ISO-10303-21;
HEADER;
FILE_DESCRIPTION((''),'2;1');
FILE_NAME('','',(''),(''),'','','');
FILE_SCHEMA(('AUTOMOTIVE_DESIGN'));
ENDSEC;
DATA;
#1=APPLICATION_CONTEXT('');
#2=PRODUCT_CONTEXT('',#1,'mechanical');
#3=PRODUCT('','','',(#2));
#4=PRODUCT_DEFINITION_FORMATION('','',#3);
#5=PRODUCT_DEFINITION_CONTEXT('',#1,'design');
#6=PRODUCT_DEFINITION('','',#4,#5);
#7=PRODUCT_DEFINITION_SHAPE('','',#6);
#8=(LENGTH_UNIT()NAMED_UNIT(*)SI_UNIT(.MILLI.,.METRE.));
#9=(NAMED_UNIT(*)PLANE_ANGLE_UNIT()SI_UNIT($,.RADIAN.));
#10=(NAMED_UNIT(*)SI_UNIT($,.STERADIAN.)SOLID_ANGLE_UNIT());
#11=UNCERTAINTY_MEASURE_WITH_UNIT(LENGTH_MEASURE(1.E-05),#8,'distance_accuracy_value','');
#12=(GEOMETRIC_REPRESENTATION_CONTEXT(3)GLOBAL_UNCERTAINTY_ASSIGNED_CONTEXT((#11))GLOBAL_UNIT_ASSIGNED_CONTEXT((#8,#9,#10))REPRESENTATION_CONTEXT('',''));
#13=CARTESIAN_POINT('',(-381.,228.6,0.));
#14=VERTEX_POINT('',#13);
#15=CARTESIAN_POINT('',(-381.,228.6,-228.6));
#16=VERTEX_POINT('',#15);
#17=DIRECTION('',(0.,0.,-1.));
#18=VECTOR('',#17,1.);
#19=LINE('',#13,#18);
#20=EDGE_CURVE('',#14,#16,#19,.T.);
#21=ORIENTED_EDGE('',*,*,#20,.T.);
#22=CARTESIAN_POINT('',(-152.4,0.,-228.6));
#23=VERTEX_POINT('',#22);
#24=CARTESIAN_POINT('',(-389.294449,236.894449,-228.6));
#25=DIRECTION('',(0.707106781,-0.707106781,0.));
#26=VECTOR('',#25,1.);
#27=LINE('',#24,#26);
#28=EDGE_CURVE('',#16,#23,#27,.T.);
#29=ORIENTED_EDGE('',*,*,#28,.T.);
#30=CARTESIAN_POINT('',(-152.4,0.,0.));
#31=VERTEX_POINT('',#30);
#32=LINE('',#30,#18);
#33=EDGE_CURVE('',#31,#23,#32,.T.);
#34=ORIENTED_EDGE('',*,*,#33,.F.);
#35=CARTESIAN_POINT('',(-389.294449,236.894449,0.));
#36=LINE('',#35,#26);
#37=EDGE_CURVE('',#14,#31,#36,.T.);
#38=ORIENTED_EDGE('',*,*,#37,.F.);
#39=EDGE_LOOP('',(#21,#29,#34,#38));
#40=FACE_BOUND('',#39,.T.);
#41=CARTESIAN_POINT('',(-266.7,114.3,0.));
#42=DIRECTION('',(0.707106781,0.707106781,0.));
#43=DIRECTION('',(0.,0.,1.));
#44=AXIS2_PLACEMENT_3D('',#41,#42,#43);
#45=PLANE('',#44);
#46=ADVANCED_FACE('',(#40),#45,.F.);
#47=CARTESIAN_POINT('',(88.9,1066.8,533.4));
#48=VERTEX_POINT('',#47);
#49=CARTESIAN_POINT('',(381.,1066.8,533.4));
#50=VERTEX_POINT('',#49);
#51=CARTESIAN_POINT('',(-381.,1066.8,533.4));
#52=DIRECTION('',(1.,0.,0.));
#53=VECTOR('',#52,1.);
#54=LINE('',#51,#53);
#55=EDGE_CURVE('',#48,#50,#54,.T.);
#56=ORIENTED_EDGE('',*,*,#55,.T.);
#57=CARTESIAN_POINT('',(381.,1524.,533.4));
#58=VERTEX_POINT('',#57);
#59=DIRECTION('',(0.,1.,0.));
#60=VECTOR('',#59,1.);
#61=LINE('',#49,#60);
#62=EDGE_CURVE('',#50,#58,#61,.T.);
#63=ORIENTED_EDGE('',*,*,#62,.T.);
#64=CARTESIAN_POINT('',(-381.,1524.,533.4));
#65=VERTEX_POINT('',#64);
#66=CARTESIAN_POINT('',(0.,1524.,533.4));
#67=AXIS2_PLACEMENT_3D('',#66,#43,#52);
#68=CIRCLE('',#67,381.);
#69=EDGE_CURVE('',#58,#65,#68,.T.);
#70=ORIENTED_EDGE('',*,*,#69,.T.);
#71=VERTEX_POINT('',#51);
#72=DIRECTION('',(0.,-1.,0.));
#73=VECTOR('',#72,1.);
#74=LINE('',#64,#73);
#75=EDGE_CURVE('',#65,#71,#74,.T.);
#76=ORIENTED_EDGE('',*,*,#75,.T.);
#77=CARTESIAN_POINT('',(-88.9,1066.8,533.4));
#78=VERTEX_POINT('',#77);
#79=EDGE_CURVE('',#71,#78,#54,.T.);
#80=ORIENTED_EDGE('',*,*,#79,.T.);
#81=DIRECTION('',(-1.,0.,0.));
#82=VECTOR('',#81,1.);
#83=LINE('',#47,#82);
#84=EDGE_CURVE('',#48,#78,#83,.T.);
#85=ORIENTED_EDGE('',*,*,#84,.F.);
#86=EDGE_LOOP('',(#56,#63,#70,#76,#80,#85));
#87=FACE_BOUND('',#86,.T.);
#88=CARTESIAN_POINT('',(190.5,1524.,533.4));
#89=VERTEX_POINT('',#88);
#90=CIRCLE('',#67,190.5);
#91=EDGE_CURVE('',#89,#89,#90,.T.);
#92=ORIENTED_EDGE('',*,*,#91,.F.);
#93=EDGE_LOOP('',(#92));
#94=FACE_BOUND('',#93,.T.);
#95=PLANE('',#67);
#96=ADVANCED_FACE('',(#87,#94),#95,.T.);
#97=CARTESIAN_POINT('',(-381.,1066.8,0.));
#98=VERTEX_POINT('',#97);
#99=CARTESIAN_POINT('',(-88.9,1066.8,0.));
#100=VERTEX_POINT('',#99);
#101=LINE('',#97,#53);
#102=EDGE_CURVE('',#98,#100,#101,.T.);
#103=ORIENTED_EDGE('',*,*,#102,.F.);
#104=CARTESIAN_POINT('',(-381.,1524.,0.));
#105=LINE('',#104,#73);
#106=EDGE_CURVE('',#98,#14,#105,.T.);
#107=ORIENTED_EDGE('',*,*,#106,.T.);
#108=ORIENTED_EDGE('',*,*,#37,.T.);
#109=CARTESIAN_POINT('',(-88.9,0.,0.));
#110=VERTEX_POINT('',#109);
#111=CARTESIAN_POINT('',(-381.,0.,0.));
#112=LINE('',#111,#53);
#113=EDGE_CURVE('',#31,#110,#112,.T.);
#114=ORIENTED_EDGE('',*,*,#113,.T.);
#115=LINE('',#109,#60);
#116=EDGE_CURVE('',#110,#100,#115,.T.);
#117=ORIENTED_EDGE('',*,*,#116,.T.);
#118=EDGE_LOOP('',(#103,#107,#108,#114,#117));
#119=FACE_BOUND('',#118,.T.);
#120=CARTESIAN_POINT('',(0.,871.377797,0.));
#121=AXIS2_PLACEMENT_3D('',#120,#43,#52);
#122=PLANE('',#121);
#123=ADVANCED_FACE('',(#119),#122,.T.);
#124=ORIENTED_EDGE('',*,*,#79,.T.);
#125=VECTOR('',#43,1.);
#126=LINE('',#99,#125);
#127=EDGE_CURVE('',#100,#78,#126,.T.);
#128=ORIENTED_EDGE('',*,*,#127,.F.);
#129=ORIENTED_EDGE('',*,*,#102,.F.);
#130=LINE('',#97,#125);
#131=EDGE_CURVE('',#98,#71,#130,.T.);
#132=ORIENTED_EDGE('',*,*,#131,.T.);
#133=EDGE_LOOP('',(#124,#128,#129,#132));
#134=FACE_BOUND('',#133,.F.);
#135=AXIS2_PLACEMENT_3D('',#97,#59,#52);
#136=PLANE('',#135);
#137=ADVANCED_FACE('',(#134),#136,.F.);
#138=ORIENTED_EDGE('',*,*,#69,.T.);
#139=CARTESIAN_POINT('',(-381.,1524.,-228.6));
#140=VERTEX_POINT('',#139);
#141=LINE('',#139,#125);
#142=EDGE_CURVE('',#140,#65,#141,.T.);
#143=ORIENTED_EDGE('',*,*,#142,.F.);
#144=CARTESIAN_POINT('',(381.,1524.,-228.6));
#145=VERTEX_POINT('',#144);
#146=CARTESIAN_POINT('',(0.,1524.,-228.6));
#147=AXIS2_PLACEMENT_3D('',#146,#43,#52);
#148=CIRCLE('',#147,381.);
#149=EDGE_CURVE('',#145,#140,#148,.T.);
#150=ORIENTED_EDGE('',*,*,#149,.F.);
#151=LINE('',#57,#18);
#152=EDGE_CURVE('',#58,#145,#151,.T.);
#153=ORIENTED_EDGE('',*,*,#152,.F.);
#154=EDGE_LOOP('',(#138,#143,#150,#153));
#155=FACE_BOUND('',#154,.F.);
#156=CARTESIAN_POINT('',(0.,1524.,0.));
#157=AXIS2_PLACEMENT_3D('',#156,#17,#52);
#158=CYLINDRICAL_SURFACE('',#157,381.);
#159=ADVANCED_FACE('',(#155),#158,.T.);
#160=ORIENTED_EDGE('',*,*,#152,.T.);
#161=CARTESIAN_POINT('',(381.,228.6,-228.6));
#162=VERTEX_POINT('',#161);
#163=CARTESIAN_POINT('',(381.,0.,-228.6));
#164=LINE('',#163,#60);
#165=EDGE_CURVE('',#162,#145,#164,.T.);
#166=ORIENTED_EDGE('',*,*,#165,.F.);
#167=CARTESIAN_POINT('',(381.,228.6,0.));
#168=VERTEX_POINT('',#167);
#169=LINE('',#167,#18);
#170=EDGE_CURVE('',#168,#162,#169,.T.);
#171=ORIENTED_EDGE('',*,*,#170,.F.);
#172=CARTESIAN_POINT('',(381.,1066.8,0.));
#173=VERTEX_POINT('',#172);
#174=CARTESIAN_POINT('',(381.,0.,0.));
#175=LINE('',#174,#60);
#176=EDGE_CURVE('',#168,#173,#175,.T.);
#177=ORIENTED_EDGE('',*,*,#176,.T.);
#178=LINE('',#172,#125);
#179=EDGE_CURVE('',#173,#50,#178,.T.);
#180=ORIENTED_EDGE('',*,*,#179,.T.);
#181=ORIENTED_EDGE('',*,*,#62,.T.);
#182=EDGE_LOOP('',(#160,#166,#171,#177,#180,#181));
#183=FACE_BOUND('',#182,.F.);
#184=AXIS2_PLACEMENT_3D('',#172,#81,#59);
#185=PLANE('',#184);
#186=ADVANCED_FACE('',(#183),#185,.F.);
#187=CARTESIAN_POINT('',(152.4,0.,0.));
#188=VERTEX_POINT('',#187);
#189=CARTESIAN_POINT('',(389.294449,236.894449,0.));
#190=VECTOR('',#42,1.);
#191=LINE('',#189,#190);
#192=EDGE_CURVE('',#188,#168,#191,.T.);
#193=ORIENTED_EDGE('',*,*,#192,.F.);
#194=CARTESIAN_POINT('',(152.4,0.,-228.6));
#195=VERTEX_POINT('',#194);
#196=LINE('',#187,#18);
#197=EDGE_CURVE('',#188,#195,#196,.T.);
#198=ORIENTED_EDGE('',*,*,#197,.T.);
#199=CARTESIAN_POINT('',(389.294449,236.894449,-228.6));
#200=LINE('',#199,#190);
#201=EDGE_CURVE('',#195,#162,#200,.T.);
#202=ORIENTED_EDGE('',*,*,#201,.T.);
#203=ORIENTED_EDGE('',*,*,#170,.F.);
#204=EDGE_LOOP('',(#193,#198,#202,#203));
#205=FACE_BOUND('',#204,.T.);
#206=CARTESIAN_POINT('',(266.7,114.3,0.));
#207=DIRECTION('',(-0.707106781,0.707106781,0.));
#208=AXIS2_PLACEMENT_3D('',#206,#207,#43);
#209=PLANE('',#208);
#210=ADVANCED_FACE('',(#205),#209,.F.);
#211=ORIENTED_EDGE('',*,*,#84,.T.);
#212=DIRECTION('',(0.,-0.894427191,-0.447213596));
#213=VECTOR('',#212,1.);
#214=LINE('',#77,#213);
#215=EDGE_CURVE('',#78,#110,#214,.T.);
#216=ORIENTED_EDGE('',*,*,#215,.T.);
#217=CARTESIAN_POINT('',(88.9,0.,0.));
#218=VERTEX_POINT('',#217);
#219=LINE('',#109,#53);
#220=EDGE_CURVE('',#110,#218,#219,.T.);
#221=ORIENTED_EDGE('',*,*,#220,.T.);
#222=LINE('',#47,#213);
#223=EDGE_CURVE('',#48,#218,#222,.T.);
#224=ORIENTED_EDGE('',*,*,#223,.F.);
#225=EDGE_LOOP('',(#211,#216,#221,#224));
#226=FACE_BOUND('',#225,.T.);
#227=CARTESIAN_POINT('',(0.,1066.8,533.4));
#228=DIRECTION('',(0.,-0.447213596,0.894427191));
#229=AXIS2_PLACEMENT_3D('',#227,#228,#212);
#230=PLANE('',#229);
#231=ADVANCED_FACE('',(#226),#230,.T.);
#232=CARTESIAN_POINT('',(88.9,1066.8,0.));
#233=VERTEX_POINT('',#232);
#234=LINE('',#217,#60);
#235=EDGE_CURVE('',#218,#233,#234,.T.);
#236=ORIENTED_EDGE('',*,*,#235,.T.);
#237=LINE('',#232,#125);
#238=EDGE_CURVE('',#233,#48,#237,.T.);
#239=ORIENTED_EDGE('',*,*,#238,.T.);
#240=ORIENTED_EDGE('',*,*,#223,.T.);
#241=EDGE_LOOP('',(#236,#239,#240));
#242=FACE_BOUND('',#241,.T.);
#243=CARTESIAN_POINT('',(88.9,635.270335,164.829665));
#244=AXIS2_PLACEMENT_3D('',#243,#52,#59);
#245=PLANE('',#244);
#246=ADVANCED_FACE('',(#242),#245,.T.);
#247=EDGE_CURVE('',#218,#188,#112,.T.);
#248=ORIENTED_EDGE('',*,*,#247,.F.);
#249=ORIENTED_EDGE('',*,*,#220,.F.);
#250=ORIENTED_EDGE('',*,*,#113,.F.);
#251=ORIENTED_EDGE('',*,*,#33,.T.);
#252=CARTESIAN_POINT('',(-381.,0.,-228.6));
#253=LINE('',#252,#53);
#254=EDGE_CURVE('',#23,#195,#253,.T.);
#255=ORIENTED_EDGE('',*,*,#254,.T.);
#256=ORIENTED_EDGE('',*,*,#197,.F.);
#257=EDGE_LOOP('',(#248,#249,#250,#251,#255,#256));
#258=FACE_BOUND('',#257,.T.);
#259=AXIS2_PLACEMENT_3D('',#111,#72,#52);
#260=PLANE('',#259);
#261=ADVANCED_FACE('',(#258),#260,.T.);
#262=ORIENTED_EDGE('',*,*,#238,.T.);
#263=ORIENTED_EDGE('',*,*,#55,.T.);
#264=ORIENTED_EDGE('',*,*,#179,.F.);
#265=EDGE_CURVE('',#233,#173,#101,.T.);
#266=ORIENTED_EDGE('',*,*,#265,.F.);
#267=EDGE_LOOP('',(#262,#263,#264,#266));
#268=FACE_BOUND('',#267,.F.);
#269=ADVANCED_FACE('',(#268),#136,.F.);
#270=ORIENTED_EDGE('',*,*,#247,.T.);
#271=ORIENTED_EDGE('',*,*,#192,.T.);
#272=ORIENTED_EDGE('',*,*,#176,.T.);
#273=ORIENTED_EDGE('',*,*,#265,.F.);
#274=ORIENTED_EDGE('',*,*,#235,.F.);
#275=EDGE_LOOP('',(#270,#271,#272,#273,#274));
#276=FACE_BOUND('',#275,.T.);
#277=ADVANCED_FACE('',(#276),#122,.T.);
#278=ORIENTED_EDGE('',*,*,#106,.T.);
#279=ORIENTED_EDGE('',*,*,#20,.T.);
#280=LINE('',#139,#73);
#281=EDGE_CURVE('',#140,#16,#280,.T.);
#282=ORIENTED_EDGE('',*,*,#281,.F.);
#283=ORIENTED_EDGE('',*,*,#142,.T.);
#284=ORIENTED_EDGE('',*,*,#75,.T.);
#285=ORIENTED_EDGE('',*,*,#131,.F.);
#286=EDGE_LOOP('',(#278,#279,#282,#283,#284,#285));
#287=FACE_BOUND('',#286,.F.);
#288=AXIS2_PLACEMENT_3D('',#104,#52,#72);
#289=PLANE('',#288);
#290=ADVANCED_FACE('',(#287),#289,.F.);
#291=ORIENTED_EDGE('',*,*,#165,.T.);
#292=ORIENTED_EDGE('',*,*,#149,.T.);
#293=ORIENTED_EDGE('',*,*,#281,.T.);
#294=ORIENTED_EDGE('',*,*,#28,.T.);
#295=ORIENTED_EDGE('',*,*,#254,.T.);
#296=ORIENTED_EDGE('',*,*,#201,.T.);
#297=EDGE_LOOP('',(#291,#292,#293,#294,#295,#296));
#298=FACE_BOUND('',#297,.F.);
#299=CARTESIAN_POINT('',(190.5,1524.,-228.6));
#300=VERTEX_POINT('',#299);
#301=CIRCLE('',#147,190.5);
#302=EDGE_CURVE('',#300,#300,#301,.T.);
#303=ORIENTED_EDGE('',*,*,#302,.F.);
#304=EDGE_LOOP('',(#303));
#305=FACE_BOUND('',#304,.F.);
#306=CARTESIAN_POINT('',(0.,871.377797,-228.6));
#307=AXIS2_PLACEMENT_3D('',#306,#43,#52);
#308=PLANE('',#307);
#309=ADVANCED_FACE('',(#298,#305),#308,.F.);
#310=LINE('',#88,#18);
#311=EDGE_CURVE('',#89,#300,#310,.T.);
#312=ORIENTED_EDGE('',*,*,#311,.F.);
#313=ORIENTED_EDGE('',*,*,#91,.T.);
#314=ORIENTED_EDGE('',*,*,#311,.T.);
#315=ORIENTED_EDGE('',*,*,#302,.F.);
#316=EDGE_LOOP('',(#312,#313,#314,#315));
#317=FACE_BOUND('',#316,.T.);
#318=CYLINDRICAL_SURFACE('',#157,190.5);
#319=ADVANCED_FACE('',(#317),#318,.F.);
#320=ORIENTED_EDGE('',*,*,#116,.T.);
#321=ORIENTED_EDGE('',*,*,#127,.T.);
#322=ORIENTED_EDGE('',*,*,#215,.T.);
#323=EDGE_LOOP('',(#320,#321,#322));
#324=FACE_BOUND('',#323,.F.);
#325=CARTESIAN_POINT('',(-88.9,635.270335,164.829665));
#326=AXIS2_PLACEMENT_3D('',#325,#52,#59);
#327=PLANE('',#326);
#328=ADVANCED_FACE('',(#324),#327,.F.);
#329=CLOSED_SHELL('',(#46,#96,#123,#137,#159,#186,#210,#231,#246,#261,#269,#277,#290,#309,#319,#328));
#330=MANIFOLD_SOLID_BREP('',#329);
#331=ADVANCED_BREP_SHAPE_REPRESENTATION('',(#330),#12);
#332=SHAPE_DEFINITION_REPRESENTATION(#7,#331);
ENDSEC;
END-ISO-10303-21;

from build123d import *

# Parameters (mm, degrees)
F0_R     = 190.5
F1_DEPTH = 228.6
F2_R     = 190.5
F3_DEPTH = 533.4
F5_DEPTH = 88.9
F6_SIZE  = 228.6
F7_SIZE  = 228.6


with BuildPart() as f1:
    # F0 (on Top) → F1 (new body)
    with BuildSketch(Plane.XY):
        with BuildLine():
            Line((-381, 0), (0, 0))
            Line((0, 0), (381, 0))
            Line((381, 0), (381, 1524))
            ThreePointArc((381, 1524), (269.4076836321, 1793.4076836321), (0, 1905))
            ThreePointArc((0, 1905), (-269.4076836321, 1793.4076836321), (-381, 1524))
            Line((-381, 1524), (-381, 0))
        make_face()
        with Locations((0, 1524)):
            Circle(F0_R, mode=Mode.SUBTRACT)
    extrude(amount=-F1_DEPTH)

    # F2 (on face) → F3 (join)
    with BuildSketch(Plane.XY):
        with BuildLine():
            ThreePointArc((-381, 1524), (0, 1143), (381, 1524))
            ThreePointArc((381, 1524), (0, 1905), (-381, 1524))
        make_face()
        with Locations((0, 1524)):
            Circle(F2_R, mode=Mode.SUBTRACT)
        with BuildLine():
            Line((381, 1066.8), (381, 1524))
            ThreePointArc((381, 1524), (0, 1143), (-381, 1524))
            Line((-381, 1524), (-381, 1066.8))
            Line((-381, 1066.8), (381, 1066.8))
        make_face()
    extrude(amount=F3_DEPTH)

    # F4 (on Right) → F5 (join, symmetric)
    with BuildSketch(Plane.YZ):
        Polygon((1066.8, 533.4), (0, 0), (1066.8, 0), align=None)
    extrude(amount=F5_DEPTH, both=True)

    # F6
    f6_edges = [f1.edges().sort_by_distance(p)[0] for p in [
        (-381, 0, -114.3),
    ]]
    chamfer(f6_edges, length=F6_SIZE)

    # F7
    f7_edges = [f1.edges().sort_by_distance(p)[0] for p in [
        (381, 0, -114.3),
    ]]
    chamfer(f7_edges, length=F7_SIZE)


solid = f1.part
